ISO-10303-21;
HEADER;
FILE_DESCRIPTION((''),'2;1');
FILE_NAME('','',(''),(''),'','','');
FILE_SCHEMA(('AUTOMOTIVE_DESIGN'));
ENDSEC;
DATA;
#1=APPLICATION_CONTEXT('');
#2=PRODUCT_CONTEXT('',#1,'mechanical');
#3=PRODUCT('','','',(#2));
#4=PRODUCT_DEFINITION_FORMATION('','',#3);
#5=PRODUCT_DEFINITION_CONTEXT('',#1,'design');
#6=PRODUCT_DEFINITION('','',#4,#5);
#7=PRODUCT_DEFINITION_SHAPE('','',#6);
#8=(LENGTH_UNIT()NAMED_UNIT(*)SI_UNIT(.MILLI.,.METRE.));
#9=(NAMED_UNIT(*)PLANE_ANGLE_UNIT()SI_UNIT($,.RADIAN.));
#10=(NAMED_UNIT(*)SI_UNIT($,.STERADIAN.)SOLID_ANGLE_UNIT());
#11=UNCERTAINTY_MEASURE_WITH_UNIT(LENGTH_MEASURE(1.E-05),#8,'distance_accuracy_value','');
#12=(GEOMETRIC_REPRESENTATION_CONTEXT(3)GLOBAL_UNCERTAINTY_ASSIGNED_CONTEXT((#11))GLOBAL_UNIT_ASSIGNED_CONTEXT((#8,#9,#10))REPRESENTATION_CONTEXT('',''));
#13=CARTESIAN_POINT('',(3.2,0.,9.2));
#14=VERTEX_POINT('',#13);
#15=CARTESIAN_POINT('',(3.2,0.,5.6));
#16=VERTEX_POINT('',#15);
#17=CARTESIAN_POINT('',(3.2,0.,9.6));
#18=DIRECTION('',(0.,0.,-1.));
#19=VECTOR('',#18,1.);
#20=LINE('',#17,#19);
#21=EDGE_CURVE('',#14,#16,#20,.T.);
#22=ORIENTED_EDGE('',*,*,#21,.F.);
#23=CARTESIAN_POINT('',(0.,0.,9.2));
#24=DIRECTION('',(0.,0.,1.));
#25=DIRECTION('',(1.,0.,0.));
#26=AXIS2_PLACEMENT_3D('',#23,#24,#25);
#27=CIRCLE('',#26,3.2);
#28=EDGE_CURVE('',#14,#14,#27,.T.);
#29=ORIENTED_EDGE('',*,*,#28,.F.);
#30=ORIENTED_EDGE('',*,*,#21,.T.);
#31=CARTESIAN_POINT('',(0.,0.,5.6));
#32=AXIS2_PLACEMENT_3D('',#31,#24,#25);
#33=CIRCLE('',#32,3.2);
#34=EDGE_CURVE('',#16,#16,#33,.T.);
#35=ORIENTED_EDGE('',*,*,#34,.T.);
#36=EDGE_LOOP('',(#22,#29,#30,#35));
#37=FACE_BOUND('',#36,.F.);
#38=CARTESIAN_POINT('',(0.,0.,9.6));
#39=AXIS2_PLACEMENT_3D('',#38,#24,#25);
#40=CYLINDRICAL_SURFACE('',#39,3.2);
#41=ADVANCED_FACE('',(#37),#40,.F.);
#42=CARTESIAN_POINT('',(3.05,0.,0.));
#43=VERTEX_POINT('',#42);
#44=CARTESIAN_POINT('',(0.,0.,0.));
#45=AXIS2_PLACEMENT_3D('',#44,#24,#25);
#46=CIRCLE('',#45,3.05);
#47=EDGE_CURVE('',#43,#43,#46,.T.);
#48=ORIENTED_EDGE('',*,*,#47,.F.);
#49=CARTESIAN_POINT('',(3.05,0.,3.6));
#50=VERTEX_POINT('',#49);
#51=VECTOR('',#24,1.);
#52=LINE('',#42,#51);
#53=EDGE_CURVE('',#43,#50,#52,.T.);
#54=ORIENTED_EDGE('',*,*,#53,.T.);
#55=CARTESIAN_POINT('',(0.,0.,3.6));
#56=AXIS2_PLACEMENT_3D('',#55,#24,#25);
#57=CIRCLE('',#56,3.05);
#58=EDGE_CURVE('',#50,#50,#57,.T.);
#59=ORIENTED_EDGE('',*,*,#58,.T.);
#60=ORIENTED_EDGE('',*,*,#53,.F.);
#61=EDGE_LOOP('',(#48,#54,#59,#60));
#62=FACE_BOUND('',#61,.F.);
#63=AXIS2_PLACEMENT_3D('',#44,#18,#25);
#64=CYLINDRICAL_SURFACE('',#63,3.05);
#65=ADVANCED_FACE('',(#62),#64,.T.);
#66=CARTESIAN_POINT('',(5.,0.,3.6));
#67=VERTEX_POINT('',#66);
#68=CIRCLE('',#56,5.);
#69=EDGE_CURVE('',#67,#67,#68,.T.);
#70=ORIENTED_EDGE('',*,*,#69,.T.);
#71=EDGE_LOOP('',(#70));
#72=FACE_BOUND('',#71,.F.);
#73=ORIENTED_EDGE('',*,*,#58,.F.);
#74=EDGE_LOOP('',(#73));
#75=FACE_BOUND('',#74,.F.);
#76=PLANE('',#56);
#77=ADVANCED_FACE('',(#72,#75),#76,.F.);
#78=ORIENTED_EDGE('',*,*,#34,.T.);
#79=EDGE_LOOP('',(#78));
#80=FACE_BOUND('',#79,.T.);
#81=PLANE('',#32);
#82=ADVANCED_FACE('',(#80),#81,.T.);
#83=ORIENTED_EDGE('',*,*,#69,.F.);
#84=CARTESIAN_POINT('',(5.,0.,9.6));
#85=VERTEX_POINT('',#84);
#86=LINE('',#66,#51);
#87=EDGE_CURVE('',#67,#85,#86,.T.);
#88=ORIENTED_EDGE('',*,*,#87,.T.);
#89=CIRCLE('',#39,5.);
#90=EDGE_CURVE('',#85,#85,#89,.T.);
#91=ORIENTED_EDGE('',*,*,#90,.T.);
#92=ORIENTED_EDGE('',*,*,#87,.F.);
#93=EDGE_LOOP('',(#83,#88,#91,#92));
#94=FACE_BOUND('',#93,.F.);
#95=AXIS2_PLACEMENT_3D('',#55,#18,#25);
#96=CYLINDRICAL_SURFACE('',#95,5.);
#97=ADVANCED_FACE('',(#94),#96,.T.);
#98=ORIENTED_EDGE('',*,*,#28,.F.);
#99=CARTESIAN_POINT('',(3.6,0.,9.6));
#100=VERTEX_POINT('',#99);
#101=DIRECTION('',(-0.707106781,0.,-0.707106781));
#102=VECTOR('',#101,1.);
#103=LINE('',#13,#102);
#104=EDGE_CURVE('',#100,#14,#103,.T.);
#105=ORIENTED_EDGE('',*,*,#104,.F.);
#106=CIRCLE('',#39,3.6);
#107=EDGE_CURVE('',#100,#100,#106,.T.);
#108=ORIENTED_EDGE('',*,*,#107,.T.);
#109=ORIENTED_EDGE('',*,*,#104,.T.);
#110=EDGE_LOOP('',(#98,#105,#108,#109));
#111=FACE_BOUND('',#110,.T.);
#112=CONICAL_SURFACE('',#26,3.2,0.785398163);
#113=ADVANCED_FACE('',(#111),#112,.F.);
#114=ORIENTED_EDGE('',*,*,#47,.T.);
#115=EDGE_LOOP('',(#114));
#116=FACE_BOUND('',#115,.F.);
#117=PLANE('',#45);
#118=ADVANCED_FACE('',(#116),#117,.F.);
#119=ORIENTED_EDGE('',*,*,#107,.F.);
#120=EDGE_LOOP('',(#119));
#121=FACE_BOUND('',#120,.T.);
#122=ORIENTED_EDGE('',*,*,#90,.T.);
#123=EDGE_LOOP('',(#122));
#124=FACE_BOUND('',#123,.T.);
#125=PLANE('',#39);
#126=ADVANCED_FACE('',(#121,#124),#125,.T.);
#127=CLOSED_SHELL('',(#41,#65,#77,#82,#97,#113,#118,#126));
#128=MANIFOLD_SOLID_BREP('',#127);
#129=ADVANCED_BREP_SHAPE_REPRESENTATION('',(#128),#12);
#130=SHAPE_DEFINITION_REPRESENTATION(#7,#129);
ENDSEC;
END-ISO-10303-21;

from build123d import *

# Parameters (mm, degrees)
SKETCH_R     = 3.05
PAD_DEPTH    = 3.6
SKETCH001_R  = 5
PAD001_DEPTH = 6
SKETCH002_R  = 3.2
POCKET_DEPTH = 4
CHAMFER_SIZE = 0.4


with BuildPart() as part:
    # Sketch → Pad (new body)
    with BuildSketch(Plane.XY):
        Circle(SKETCH_R)
    extrude(amount=PAD_DEPTH)

    # Sketch001 → Pad001 (new body)
    with BuildSketch(Plane.XY.offset(3.6)):
        Circle(SKETCH001_R)
    extrude(amount=PAD001_DEPTH)

    # Sketch002 → Pocket (cut)
    with BuildSketch(Plane.XY.offset(9.6)):
        Circle(SKETCH002_R)
    extrude(amount=-POCKET_DEPTH, mode=Mode.SUBTRACT)

    # Chamfer
    chamfer_edges = [part.edges().sort_by_distance(p)[0] for p in [
        (-3.2, 0, 9.6),
    ]]
    chamfer(chamfer_edges, length=CHAMFER_SIZE)


solid = part.part
